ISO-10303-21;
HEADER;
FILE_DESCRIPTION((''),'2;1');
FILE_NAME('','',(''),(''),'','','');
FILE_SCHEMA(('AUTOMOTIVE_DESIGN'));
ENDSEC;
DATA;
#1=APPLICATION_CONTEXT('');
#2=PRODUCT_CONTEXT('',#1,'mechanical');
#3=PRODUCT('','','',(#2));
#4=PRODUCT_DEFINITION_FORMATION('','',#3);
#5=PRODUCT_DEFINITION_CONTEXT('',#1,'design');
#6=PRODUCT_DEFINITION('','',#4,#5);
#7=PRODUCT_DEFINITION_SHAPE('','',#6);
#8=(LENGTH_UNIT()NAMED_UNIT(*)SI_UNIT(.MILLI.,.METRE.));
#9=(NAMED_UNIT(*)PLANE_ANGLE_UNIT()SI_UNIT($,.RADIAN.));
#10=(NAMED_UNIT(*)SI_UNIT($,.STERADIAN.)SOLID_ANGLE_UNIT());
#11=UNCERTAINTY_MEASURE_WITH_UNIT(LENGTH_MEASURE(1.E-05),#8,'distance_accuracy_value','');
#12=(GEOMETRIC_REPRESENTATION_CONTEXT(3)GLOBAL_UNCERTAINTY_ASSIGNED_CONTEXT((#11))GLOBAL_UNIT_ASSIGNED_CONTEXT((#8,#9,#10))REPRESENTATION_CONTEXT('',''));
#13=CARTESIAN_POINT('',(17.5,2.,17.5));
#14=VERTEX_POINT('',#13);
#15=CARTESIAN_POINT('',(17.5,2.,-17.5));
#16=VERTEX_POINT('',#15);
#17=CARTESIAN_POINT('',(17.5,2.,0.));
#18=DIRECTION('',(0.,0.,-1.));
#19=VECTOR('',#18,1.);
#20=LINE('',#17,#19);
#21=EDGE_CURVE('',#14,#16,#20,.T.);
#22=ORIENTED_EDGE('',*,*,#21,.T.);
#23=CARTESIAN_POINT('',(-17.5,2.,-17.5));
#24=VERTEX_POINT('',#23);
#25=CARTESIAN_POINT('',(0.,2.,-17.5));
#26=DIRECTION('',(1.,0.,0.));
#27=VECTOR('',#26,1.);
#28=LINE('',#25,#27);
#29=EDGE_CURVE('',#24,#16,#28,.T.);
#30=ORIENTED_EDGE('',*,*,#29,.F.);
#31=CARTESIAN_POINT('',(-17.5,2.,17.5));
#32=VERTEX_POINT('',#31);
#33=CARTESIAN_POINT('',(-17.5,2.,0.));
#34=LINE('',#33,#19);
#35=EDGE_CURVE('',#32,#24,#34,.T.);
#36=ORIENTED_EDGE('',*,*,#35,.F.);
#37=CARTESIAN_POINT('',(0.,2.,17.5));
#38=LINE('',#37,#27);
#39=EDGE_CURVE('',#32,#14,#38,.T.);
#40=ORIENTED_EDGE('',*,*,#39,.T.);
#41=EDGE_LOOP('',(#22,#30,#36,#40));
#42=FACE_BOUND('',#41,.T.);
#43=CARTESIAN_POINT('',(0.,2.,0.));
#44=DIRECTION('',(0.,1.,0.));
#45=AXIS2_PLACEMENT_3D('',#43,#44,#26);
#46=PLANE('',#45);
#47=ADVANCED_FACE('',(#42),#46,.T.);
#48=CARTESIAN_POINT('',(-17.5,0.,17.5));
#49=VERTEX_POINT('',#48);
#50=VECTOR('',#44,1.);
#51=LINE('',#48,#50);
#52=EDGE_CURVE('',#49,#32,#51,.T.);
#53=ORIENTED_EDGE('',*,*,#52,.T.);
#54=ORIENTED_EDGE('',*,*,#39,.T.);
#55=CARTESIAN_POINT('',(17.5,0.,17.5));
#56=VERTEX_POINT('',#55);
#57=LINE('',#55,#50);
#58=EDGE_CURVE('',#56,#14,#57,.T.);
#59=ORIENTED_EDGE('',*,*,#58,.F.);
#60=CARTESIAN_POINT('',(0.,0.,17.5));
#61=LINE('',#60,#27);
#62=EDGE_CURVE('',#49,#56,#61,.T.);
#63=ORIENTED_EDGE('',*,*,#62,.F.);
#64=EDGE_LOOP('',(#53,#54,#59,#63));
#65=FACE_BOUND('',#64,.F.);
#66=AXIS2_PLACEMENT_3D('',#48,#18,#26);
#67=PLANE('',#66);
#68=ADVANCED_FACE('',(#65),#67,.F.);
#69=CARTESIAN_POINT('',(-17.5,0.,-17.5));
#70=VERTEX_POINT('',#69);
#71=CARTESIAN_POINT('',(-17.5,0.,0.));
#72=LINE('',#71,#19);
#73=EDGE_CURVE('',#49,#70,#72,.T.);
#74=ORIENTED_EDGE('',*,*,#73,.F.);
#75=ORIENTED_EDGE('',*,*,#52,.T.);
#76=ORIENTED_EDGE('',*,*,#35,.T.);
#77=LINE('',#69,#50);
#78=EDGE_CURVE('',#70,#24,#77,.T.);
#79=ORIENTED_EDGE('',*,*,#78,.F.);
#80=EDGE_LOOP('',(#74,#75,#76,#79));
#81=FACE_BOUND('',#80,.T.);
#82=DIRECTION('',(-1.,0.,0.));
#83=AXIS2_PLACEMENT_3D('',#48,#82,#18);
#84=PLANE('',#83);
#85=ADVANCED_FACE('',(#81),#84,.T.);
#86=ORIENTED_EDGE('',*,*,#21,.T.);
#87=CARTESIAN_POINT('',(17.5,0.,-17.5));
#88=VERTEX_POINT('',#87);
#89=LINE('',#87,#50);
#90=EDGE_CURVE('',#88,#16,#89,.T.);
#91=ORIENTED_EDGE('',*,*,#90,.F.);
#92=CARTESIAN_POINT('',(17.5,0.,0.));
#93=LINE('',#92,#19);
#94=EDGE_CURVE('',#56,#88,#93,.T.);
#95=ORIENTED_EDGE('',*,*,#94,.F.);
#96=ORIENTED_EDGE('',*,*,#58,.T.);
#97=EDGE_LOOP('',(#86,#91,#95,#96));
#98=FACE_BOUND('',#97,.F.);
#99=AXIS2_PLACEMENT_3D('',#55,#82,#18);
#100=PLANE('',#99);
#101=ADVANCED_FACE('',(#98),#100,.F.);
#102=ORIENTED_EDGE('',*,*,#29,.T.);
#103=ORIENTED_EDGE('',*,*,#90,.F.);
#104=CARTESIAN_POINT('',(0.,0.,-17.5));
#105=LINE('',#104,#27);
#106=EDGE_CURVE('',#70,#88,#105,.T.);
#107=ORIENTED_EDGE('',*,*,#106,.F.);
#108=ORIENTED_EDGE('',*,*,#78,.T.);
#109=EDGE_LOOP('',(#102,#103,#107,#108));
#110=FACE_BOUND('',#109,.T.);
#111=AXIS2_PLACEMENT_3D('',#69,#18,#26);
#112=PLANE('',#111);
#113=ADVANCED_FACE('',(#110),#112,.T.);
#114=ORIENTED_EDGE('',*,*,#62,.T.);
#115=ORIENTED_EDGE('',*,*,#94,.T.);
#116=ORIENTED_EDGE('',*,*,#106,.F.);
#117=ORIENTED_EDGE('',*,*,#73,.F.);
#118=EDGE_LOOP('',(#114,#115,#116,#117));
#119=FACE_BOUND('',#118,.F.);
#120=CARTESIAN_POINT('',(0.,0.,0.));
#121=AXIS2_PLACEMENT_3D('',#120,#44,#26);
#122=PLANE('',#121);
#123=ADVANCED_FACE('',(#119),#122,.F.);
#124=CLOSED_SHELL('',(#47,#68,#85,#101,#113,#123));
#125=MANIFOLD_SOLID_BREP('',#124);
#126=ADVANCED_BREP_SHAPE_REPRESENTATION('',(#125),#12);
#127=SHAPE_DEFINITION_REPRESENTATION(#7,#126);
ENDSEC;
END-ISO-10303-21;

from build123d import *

# Parameters (mm, degrees)
SKETCH_1_W      = 35
SKETCH_1_H      = 35
EXTRUDE_1_DEPTH = 2


with BuildPart() as part:
    # 草图1 → 凸台-拉伸1 (new body)
    with BuildSketch(Plane(origin=(0, 0, 0), x_dir=(1, 0, 0), z_dir=(0, 1, 0))):
        Rectangle(SKETCH_1_W, SKETCH_1_H)
    extrude(amount=EXTRUDE_1_DEPTH)


solid = part.part
